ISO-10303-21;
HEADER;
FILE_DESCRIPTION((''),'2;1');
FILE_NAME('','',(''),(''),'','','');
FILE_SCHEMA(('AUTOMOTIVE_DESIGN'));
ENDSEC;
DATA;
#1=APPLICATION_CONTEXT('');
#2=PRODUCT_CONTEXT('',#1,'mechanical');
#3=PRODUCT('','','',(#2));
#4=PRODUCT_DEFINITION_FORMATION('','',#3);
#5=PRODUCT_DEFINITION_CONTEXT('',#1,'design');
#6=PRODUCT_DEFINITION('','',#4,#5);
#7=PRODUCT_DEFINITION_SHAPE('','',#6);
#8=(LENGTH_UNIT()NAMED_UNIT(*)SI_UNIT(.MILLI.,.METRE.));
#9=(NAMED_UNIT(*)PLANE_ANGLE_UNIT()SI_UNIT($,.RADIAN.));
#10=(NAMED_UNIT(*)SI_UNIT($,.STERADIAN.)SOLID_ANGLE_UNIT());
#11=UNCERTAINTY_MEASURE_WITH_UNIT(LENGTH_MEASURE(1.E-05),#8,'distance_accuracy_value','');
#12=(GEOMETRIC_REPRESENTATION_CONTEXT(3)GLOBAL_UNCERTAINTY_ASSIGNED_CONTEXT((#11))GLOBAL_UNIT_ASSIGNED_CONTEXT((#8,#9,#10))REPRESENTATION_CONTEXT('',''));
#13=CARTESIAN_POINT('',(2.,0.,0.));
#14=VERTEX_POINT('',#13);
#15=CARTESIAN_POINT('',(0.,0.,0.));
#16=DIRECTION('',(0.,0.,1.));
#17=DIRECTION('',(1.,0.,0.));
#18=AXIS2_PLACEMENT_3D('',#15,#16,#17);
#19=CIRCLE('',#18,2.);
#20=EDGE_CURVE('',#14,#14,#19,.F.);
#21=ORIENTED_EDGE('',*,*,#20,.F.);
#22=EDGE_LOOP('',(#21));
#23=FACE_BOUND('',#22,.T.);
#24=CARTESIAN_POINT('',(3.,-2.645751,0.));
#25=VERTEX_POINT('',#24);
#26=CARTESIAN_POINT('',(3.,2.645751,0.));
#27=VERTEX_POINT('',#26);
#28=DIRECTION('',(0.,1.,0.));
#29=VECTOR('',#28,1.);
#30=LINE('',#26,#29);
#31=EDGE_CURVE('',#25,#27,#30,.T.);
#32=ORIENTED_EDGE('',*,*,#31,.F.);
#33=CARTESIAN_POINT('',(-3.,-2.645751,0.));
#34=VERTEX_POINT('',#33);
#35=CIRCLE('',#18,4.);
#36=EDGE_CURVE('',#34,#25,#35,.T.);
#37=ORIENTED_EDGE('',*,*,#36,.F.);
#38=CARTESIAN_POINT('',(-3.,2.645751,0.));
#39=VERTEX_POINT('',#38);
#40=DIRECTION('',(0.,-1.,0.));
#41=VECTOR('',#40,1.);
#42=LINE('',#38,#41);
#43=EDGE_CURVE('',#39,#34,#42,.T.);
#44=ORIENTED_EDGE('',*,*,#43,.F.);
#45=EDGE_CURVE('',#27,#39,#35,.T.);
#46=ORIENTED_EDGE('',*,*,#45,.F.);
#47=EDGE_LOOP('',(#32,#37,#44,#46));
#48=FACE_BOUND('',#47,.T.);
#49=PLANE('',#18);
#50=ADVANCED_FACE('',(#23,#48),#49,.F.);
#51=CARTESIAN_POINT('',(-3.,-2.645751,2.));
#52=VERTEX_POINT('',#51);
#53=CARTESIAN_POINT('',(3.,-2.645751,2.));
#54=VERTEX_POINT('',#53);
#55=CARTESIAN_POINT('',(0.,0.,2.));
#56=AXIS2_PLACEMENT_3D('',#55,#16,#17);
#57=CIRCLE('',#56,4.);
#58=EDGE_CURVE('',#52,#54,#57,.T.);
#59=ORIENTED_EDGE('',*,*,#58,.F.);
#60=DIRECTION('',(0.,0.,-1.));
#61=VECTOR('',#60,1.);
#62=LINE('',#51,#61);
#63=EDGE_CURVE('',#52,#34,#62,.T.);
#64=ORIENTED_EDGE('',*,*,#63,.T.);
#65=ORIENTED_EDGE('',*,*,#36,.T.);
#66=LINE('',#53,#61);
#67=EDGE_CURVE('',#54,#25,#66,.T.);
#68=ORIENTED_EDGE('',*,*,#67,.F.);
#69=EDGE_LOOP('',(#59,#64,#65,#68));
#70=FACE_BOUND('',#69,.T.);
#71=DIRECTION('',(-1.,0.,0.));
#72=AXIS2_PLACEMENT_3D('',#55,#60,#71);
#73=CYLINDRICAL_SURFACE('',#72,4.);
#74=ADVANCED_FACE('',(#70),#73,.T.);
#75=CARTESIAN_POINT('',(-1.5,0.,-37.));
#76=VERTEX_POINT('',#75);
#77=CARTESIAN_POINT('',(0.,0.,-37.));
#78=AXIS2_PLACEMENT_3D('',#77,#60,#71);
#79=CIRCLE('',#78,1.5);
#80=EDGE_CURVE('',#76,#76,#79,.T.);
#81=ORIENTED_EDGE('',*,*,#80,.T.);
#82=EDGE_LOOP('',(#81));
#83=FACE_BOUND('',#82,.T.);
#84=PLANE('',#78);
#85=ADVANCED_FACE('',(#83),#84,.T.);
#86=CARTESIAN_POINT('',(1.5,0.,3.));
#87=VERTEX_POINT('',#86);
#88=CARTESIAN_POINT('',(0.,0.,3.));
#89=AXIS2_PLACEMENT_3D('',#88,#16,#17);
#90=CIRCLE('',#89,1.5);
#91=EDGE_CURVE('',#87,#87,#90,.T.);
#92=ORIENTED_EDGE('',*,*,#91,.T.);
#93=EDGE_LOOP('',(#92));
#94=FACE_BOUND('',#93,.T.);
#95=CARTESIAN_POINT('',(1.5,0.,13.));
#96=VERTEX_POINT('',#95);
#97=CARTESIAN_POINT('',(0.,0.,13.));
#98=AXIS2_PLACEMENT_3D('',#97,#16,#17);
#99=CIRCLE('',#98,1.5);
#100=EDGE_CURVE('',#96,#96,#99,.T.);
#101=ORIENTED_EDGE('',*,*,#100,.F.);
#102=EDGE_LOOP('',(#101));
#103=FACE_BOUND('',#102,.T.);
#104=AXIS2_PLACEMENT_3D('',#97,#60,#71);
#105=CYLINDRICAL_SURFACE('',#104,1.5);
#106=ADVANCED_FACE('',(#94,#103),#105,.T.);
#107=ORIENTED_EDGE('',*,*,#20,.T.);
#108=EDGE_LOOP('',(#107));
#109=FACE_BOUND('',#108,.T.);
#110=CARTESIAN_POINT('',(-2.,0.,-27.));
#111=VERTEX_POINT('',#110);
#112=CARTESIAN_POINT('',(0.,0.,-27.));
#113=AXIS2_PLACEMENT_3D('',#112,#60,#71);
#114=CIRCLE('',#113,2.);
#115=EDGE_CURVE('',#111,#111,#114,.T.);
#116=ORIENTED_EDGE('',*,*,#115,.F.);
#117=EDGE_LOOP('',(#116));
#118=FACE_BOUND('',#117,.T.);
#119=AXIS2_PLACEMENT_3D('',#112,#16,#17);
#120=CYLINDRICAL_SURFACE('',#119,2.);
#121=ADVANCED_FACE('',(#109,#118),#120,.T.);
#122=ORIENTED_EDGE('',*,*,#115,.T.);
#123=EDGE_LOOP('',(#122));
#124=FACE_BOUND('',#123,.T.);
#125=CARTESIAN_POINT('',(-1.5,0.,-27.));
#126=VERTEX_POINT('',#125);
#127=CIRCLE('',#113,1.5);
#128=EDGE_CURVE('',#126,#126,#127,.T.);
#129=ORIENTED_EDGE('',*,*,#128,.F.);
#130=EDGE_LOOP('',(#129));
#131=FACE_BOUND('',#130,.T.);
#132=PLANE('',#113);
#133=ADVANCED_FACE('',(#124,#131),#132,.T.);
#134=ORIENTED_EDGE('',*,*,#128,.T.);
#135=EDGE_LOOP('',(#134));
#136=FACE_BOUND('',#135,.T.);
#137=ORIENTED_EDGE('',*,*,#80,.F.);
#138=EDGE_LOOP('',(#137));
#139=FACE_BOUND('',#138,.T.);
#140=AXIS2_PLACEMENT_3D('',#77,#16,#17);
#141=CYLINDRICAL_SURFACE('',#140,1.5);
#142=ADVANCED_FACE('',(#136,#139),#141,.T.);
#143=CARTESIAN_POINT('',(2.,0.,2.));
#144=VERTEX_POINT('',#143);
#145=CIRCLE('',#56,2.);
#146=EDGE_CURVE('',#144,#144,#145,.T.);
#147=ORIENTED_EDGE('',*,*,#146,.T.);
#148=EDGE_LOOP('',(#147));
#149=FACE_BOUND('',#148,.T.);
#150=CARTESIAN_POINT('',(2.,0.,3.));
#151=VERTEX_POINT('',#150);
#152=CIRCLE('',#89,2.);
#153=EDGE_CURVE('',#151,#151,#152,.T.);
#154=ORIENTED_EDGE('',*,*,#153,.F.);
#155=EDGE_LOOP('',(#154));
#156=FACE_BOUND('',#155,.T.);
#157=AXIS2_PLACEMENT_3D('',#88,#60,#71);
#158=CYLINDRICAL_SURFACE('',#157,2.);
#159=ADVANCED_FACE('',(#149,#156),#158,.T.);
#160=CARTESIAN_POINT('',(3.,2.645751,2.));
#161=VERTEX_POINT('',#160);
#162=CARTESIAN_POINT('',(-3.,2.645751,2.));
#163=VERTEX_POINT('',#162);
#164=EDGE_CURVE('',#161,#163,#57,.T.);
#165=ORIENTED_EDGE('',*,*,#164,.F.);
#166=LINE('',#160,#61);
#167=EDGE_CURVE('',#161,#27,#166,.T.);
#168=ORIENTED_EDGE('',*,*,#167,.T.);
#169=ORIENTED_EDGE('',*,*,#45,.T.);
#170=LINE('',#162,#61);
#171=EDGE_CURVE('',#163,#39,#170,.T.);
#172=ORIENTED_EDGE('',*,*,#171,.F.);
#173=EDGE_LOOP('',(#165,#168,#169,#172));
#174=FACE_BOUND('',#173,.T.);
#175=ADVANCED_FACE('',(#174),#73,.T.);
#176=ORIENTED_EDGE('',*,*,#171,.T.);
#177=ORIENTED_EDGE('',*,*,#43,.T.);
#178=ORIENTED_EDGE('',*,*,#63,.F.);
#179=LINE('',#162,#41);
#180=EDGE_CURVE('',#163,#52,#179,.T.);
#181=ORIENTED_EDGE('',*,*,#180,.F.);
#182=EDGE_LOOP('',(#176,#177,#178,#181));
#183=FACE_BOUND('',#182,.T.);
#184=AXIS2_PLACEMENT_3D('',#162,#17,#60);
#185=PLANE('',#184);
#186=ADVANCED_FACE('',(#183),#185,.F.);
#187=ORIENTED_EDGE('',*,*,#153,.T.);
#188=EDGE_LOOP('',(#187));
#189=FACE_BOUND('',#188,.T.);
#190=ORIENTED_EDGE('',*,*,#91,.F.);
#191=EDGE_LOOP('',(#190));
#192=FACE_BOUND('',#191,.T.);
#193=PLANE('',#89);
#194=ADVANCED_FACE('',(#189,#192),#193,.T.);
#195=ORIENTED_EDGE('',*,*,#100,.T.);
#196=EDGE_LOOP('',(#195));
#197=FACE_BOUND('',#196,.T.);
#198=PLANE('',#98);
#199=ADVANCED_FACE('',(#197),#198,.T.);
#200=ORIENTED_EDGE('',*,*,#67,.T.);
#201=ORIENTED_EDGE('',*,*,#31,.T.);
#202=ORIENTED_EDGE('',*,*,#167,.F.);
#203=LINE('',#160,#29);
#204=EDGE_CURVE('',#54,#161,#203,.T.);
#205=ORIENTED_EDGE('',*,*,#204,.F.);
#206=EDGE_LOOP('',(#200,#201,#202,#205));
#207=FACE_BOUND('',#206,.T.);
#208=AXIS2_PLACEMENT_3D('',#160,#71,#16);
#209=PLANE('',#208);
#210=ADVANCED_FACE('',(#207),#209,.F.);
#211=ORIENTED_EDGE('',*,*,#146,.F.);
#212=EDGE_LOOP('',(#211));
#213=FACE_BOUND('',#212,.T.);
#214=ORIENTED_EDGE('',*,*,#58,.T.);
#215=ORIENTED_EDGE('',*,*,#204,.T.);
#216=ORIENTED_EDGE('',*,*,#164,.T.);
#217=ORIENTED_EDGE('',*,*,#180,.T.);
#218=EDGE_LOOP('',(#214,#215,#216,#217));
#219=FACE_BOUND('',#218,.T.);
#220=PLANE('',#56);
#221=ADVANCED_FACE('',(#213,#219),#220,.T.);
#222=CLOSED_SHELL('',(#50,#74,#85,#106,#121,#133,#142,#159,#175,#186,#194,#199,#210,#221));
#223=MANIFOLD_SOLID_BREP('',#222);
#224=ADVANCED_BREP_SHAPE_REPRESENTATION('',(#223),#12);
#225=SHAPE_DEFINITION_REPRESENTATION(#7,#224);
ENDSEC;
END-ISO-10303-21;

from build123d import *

# Parameters (mm, degrees)
EXTRUDE_1_DEPTH = 2
SKETCH_2_R      = 2
EXTRUDE_2_DEPTH = 1
SKETCH_3_R      = 1.5
EXTRUDE_3_DEPTH = 10
EXTRUDE_START   = 27
SKETCH_4_R      = 2
EXTRUDE_4_DEPTH = 27
EXTRUDE_START_2 = 10
SKETCH_5_R      = 1.5
EXTRUDE_5_DEPTH = 10


with BuildPart() as part:
    # 草图1 → 凸台-拉伸1 (new body)
    with BuildSketch(Plane.XY):
        with BuildLine():
            Line((-3, 2.645751311), (-3, -2.645751311))
            ThreePointArc((-3, -2.645751311), (0, -4), (3, -2.645751311))
            Line((3, -2.645751311), (3, 2.645751311))
            ThreePointArc((3, 2.645751311), (0, 4), (-3, 2.645751311))
        make_face()
    extrude(amount=EXTRUDE_1_DEPTH)

    # 草图2 → 凸台-拉伸2 (add)
    with BuildSketch(Plane.XY.offset(2)):
        Circle(SKETCH_2_R)
    extrude(amount=EXTRUDE_2_DEPTH)

    # 草图3 → 凸台-拉伸3 (add)
    with BuildSketch(Plane.XY.offset(3)):
        Circle(SKETCH_3_R)
    extrude(amount=EXTRUDE_3_DEPTH)

    # 草图4 → 凸台-拉伸4 (add)
    with BuildSketch(Plane(origin=(0, 0, 0), x_dir=(-1, 0, 0), z_dir=(0, 0, -1)).offset(EXTRUDE_START)):
        with Locations(Location((0, 0, 0), (0, 0, 180))):
            Circle(SKETCH_4_R)
    extrude(amount=-EXTRUDE_4_DEPTH)

    # 草图5 → 凸台-拉伸5 (add)
    with BuildSketch(Plane(origin=(0, 0, -27), x_dir=(-1, 0, 0), z_dir=(0, 0, -1)).offset(EXTRUDE_START_2)):
        with Locations(Location((0, 0, 0), (0, 0, 180))):
            Circle(SKETCH_5_R)
    extrude(amount=-EXTRUDE_5_DEPTH)


solid = part.part
